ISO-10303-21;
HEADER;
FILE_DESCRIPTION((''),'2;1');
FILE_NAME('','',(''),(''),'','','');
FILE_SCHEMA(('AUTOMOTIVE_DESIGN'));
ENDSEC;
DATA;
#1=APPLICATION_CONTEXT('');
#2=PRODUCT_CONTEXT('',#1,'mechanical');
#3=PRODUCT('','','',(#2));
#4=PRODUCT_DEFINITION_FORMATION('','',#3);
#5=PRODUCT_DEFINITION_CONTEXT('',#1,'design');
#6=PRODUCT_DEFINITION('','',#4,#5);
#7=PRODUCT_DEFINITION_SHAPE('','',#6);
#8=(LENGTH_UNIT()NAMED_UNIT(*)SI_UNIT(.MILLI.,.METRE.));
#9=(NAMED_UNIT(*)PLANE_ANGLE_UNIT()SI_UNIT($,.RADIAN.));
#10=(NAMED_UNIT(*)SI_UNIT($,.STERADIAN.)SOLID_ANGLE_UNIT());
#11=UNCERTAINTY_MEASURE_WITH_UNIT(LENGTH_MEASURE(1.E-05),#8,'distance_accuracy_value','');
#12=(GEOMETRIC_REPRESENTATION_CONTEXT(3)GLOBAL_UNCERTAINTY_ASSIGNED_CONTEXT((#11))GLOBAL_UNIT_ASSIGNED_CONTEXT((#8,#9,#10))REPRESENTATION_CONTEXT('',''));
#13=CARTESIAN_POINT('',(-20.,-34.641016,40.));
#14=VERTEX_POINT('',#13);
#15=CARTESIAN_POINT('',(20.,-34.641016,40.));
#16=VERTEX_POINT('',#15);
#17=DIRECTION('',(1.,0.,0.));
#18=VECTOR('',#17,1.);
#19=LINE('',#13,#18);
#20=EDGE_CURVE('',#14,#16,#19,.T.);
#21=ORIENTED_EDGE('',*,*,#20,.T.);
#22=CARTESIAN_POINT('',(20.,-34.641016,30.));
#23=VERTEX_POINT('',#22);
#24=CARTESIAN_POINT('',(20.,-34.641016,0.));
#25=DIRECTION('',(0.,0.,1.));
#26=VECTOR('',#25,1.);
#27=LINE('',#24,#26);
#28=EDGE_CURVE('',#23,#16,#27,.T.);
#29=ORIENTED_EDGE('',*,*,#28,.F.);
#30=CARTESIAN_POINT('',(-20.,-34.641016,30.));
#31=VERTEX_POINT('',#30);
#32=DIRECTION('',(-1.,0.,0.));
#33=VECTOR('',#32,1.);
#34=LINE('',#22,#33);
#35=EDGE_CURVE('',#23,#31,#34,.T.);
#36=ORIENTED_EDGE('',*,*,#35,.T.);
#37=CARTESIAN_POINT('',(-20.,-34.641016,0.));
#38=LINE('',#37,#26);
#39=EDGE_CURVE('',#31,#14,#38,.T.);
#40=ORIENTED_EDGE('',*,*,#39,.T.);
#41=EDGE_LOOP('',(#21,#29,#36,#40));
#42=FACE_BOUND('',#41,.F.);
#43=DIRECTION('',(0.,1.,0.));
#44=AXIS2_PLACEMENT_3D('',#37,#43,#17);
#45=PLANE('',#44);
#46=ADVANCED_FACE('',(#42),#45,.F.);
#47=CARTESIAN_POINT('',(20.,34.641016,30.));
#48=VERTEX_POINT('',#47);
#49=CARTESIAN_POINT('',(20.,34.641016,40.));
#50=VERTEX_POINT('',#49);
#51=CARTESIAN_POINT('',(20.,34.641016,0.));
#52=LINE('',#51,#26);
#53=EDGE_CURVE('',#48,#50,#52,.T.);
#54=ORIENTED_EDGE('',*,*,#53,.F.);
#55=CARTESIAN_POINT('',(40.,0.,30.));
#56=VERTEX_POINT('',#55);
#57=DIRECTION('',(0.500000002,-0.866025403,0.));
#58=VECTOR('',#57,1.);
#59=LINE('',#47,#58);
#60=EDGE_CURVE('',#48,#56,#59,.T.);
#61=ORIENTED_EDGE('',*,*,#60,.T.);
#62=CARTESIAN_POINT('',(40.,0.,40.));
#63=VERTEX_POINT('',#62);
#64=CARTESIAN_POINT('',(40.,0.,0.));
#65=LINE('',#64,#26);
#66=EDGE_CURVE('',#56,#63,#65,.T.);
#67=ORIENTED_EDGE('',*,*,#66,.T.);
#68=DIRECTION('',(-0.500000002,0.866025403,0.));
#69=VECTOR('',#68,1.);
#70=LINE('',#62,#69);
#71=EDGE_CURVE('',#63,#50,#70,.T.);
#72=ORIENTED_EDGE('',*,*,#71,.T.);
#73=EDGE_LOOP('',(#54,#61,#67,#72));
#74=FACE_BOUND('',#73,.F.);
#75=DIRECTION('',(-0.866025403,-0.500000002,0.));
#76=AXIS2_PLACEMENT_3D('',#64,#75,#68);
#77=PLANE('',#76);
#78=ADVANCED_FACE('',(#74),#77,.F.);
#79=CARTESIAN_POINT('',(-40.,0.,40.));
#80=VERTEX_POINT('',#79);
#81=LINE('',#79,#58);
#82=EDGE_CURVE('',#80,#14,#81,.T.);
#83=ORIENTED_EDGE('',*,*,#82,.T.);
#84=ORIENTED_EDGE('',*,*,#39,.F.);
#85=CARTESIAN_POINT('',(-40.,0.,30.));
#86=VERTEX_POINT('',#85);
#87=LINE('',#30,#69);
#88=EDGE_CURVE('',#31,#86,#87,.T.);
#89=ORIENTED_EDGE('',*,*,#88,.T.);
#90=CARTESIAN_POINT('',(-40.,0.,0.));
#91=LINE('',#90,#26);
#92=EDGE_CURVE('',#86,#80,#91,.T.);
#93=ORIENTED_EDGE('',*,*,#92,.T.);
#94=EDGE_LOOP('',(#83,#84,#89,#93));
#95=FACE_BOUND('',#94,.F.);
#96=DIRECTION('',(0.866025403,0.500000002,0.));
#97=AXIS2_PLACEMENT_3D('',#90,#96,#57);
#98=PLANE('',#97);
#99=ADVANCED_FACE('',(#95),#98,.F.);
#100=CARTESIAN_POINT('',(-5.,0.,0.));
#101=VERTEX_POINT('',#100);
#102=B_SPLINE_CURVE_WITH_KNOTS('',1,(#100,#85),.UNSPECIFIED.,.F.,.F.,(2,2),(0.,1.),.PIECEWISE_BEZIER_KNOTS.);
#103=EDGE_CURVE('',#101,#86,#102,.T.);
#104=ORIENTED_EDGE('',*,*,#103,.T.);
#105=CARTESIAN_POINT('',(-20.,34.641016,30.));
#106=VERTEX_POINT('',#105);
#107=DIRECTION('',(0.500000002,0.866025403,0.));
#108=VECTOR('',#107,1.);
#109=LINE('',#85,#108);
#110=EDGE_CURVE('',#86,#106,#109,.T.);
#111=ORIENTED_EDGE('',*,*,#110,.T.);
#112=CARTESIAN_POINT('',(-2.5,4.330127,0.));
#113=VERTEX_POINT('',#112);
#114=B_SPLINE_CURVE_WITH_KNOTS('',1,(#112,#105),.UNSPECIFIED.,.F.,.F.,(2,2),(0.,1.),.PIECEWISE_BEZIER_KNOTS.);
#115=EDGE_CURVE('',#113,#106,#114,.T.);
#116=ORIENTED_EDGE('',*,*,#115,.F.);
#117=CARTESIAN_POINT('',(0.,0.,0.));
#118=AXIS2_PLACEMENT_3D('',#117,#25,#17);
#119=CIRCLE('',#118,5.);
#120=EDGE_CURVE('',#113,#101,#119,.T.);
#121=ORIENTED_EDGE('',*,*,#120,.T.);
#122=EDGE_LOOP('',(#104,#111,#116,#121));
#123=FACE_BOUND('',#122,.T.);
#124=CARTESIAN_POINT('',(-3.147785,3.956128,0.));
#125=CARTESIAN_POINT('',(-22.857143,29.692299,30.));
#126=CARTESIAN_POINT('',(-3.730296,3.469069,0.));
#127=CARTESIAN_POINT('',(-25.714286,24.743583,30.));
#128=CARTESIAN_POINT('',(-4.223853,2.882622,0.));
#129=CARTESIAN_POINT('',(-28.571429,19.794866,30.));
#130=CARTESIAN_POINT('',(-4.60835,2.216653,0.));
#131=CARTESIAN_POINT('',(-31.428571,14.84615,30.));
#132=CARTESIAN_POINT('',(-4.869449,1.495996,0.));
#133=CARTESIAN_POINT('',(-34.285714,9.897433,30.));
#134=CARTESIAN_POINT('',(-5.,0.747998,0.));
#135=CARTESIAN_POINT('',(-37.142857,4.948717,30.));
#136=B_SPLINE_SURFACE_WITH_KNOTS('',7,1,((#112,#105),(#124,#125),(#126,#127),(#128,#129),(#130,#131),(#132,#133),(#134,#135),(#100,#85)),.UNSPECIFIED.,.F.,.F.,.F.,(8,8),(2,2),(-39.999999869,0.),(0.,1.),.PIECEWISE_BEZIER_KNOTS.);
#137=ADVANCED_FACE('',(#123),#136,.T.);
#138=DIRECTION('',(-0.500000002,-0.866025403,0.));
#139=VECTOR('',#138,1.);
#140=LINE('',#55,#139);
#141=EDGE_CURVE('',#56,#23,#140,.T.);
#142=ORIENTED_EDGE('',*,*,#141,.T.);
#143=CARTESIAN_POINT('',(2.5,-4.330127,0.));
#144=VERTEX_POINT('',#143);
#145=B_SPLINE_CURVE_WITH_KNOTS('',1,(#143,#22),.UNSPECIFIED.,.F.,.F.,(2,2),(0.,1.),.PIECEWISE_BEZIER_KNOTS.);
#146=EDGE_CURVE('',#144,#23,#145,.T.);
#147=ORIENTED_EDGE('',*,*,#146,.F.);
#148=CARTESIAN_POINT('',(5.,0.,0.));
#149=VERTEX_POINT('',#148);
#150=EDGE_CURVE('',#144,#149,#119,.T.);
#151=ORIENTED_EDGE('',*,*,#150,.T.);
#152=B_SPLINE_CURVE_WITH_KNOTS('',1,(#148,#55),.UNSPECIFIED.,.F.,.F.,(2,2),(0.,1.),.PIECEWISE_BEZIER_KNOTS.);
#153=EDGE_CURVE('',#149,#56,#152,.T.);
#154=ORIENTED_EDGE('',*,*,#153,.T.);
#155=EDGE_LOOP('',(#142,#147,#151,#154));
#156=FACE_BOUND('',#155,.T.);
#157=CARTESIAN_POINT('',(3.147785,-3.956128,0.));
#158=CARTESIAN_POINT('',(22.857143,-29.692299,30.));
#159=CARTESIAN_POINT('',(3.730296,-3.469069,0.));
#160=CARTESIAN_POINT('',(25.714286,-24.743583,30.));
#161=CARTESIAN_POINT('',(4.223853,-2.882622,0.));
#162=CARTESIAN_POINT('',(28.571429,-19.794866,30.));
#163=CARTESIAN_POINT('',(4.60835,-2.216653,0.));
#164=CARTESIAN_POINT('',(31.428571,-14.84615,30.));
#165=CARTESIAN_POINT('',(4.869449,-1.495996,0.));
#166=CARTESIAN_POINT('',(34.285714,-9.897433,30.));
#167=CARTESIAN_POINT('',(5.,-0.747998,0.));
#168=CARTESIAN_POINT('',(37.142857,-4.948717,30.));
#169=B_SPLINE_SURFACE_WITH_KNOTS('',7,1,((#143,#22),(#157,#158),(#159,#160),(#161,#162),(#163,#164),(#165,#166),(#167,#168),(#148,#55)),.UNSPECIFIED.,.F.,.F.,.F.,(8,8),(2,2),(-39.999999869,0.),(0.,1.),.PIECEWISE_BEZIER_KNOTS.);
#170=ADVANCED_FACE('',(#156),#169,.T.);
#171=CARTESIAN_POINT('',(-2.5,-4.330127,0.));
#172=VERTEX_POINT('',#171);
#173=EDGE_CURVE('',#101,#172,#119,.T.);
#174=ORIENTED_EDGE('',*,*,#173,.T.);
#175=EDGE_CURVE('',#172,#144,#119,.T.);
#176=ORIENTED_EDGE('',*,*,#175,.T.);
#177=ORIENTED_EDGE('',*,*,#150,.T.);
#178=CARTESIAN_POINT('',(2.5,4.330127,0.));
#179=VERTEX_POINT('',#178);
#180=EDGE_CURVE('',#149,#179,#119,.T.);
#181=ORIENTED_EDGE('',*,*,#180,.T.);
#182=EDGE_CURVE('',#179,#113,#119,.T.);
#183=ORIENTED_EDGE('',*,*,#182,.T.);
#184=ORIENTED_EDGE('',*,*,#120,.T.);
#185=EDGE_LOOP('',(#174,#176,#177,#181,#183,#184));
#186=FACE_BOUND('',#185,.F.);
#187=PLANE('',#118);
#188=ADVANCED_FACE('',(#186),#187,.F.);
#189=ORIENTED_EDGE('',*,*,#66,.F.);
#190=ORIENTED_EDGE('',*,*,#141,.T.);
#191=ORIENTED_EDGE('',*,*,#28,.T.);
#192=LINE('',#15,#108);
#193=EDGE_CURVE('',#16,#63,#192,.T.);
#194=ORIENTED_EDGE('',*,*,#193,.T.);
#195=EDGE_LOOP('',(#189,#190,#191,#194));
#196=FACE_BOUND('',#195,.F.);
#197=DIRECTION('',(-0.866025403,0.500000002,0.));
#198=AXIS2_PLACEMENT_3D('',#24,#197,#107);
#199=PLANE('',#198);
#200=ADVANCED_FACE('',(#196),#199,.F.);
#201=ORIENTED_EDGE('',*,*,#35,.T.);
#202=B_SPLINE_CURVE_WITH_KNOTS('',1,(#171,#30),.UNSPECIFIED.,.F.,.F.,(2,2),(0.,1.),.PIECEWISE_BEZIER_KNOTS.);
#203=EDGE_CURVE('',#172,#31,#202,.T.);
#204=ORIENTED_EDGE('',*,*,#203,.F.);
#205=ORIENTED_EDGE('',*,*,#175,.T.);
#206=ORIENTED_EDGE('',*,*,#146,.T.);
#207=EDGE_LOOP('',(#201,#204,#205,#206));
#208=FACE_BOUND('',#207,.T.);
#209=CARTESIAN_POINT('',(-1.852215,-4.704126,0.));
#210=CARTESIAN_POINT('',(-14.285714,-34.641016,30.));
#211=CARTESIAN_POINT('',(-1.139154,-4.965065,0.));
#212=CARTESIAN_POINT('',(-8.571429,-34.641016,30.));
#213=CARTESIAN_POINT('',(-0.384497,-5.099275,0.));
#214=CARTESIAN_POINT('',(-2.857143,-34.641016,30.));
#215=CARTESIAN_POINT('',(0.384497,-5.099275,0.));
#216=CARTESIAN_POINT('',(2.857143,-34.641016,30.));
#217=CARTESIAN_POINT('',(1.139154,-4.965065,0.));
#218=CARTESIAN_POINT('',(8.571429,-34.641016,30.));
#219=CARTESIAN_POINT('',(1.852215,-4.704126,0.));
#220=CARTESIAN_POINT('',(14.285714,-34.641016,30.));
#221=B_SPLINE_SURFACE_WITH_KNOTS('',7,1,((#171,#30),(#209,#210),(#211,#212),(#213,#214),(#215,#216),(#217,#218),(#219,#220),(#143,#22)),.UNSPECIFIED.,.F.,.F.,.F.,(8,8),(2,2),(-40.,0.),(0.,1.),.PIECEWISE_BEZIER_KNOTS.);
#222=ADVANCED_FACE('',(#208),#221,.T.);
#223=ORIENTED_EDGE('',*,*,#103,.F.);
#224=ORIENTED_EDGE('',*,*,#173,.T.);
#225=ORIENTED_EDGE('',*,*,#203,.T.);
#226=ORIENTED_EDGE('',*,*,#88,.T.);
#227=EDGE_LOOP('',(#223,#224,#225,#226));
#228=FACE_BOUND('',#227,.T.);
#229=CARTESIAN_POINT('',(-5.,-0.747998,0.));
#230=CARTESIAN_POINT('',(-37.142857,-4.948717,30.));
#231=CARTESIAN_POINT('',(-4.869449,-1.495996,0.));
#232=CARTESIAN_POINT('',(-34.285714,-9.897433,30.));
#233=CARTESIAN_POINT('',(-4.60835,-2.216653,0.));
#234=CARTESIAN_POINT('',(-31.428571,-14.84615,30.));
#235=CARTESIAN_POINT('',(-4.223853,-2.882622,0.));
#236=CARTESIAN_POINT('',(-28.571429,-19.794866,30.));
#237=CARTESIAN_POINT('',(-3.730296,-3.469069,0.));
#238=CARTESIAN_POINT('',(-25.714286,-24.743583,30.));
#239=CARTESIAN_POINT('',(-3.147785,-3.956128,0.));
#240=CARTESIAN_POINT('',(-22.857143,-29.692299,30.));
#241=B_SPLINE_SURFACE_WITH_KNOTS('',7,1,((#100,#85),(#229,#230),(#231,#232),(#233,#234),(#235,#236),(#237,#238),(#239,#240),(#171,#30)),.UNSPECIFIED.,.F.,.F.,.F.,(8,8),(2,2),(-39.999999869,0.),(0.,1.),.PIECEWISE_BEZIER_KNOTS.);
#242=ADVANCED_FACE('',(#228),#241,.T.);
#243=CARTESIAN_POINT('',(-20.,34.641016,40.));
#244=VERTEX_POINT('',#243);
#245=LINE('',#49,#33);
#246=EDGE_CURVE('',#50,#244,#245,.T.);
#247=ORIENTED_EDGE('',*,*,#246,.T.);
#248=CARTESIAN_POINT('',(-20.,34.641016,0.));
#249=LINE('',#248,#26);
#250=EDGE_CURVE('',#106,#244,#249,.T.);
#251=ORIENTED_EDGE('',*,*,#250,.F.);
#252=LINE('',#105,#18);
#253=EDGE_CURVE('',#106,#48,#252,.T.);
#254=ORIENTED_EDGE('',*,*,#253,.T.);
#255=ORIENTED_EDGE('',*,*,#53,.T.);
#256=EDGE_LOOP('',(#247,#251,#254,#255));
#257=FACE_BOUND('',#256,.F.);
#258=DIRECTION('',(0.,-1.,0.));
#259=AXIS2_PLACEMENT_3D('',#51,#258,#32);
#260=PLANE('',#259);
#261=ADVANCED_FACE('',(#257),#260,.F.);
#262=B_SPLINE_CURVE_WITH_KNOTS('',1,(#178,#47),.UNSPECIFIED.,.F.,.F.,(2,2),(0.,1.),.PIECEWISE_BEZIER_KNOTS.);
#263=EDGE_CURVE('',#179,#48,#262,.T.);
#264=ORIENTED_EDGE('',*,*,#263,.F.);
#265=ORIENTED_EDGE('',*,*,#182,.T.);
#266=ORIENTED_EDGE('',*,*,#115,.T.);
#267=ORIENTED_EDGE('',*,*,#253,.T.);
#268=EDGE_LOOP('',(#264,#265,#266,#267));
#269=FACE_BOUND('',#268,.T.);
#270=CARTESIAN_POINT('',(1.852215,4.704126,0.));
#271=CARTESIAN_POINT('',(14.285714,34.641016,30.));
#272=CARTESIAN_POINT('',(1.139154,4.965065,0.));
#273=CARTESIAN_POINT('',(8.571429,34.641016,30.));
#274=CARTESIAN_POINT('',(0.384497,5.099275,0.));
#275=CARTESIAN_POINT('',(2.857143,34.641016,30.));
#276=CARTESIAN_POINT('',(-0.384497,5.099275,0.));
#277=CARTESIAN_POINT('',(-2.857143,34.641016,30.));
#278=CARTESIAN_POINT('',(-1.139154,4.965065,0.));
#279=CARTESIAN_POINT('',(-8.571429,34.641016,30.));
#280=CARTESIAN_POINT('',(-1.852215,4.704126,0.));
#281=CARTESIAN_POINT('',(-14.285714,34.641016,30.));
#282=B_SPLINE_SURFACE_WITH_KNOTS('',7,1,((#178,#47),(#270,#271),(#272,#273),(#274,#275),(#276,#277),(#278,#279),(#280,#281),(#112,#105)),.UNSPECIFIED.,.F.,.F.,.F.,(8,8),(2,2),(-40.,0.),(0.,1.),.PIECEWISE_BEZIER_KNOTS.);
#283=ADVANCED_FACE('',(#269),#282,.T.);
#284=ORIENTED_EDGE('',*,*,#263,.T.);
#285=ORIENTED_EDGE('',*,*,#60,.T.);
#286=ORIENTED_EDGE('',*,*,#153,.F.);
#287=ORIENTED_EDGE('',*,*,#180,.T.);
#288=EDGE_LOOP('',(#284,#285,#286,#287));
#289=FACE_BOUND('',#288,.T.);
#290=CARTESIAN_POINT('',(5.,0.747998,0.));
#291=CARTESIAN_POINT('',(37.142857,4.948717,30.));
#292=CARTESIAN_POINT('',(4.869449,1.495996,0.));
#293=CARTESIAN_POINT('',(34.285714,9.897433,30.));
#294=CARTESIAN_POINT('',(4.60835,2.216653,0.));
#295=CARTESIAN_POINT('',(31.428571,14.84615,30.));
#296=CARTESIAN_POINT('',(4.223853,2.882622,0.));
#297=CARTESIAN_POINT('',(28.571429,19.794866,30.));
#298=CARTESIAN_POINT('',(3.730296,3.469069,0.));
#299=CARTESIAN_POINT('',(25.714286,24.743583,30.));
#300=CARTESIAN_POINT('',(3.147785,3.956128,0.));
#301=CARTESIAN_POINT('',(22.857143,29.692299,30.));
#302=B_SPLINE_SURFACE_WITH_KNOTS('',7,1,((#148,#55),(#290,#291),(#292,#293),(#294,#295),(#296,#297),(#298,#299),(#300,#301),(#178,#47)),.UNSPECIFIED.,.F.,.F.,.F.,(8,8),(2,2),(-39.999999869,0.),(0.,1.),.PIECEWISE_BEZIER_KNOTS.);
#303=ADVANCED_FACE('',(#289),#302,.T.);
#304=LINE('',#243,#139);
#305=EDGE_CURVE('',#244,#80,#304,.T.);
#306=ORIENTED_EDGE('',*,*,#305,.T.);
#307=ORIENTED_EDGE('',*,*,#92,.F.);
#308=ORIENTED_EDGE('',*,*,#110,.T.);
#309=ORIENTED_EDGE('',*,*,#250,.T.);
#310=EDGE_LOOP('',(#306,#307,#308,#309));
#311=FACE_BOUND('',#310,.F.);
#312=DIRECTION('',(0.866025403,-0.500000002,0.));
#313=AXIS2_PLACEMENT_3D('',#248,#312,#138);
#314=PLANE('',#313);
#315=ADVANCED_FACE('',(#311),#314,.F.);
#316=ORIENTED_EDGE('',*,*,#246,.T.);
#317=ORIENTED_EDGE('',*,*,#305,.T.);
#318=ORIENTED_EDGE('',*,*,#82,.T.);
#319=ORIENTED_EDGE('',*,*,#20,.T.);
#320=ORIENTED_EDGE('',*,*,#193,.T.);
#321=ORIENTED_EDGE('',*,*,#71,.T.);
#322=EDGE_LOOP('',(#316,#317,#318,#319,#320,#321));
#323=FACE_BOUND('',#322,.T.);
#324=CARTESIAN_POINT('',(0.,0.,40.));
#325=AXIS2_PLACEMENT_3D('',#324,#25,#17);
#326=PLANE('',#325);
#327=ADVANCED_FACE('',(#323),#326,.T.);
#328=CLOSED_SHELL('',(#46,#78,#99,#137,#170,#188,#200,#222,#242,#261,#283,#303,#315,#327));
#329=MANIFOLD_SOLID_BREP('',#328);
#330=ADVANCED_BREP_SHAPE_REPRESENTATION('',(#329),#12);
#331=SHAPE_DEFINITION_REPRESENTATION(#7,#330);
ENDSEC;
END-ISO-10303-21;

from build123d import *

# Parameters (mm, degrees)
F1_DEPTH = 40
F3_DEPTH = 30
F5_R     = 5


with BuildPart() as f1:
    # F0 (on Top) → F1 (new body)
    with BuildSketch(Plane.XY):
        Polygon((20, -34.641016), (40, 0), (20, 34.641016), (-20, 34.641016), (-40, 0), (-20, -34.641016), align=None)
    extrude(amount=F1_DEPTH)

    # F2 (on face) → F3 (cut)
    with BuildSketch(Plane(origin=(0, 0, 0), x_dir=(1, 0, 0), z_dir=(0, 0, -1))):
        Polygon((-20, -34.641016), (20, -34.641016), (40, 0), (20, 34.641016), (-20, 34.641016), (-40, 0), align=None)
    extrude(amount=-F3_DEPTH, mode=Mode.SUBTRACT)

    # F5 (on Top) → F6 section 0
    with BuildSketch(Plane.XY):
        Circle(F5_R)
    # F4 (on face) → F6 section 1
    with BuildSketch(Plane(origin=(0, 0, 30), x_dir=(1, 0, 0), z_dir=(0, 0, -1))):
        Polygon((-40, 0), (-20, -34.641016), (20, -34.641016), (40, 0), (20, 34.641016), (-20, 34.641016), align=None)
    loft()


solid = f1.part
